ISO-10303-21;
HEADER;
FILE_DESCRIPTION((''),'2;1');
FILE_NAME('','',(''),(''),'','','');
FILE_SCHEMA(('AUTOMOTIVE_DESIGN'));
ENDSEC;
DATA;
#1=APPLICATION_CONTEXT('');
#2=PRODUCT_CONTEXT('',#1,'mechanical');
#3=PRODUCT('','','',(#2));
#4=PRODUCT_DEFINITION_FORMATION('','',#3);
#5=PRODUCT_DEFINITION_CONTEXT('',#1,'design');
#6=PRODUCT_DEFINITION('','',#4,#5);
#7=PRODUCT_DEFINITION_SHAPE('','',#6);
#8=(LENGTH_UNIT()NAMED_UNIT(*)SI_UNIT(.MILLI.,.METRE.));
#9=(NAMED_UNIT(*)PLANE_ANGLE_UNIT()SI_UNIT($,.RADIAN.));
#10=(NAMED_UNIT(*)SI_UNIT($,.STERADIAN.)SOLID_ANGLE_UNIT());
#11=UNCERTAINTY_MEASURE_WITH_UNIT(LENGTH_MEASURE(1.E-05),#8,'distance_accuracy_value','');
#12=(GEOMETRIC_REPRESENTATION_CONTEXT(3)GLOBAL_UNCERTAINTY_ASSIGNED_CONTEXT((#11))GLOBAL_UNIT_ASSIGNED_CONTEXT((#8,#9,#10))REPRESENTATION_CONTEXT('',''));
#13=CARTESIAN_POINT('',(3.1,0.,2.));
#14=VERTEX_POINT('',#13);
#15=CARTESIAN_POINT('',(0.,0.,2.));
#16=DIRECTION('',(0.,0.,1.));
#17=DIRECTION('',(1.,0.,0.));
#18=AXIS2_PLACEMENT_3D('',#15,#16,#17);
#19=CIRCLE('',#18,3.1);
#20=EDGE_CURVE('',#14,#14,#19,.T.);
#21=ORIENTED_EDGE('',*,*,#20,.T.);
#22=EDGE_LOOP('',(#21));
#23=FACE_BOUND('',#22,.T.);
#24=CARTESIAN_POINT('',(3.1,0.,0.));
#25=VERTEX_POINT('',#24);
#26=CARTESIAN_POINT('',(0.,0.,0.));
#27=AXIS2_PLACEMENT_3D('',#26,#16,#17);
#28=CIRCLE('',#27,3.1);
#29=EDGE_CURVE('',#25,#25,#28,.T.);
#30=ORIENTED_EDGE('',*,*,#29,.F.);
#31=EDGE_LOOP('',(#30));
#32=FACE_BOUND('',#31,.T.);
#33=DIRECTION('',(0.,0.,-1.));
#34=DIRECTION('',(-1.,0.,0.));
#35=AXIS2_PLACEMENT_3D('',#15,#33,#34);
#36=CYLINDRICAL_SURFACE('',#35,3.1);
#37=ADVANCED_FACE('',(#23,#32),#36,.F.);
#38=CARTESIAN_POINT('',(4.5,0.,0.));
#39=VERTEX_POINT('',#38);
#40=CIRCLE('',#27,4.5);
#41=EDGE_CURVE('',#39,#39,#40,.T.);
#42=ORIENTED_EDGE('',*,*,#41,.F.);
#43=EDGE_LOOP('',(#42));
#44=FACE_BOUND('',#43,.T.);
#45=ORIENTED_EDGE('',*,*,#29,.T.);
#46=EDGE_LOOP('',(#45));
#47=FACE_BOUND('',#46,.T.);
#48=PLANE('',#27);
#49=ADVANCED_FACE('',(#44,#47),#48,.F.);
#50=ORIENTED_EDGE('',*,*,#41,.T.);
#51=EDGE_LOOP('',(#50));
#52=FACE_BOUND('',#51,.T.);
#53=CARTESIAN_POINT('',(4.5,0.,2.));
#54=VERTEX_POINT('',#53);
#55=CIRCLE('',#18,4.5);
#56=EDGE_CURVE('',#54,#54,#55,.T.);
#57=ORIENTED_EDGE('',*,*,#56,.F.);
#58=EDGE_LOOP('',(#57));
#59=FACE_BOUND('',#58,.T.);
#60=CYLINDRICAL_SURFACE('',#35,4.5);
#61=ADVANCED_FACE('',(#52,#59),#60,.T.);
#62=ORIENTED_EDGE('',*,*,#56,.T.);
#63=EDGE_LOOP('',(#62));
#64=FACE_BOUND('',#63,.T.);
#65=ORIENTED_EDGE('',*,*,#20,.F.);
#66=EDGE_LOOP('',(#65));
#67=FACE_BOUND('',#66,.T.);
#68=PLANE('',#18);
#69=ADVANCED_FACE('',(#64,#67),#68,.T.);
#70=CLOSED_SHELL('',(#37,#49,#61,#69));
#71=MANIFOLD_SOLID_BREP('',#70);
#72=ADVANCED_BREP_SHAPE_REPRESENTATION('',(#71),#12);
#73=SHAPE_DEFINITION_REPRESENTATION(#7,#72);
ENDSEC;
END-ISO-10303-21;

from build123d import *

# Parameters (mm, degrees)
SKETCH_1_R      = 4.5
SKETCH_1_R_2    = 3.1
EXTRUDE_1_DEPTH = 2


with BuildPart() as part:
    # Эскиз1 → Бобышка-Вытянуть1 (new body)
    with BuildSketch(Plane.XY):
        Circle(SKETCH_1_R)
        Circle(SKETCH_1_R_2, mode=Mode.SUBTRACT)
    extrude(amount=EXTRUDE_1_DEPTH)


solid = part.part
